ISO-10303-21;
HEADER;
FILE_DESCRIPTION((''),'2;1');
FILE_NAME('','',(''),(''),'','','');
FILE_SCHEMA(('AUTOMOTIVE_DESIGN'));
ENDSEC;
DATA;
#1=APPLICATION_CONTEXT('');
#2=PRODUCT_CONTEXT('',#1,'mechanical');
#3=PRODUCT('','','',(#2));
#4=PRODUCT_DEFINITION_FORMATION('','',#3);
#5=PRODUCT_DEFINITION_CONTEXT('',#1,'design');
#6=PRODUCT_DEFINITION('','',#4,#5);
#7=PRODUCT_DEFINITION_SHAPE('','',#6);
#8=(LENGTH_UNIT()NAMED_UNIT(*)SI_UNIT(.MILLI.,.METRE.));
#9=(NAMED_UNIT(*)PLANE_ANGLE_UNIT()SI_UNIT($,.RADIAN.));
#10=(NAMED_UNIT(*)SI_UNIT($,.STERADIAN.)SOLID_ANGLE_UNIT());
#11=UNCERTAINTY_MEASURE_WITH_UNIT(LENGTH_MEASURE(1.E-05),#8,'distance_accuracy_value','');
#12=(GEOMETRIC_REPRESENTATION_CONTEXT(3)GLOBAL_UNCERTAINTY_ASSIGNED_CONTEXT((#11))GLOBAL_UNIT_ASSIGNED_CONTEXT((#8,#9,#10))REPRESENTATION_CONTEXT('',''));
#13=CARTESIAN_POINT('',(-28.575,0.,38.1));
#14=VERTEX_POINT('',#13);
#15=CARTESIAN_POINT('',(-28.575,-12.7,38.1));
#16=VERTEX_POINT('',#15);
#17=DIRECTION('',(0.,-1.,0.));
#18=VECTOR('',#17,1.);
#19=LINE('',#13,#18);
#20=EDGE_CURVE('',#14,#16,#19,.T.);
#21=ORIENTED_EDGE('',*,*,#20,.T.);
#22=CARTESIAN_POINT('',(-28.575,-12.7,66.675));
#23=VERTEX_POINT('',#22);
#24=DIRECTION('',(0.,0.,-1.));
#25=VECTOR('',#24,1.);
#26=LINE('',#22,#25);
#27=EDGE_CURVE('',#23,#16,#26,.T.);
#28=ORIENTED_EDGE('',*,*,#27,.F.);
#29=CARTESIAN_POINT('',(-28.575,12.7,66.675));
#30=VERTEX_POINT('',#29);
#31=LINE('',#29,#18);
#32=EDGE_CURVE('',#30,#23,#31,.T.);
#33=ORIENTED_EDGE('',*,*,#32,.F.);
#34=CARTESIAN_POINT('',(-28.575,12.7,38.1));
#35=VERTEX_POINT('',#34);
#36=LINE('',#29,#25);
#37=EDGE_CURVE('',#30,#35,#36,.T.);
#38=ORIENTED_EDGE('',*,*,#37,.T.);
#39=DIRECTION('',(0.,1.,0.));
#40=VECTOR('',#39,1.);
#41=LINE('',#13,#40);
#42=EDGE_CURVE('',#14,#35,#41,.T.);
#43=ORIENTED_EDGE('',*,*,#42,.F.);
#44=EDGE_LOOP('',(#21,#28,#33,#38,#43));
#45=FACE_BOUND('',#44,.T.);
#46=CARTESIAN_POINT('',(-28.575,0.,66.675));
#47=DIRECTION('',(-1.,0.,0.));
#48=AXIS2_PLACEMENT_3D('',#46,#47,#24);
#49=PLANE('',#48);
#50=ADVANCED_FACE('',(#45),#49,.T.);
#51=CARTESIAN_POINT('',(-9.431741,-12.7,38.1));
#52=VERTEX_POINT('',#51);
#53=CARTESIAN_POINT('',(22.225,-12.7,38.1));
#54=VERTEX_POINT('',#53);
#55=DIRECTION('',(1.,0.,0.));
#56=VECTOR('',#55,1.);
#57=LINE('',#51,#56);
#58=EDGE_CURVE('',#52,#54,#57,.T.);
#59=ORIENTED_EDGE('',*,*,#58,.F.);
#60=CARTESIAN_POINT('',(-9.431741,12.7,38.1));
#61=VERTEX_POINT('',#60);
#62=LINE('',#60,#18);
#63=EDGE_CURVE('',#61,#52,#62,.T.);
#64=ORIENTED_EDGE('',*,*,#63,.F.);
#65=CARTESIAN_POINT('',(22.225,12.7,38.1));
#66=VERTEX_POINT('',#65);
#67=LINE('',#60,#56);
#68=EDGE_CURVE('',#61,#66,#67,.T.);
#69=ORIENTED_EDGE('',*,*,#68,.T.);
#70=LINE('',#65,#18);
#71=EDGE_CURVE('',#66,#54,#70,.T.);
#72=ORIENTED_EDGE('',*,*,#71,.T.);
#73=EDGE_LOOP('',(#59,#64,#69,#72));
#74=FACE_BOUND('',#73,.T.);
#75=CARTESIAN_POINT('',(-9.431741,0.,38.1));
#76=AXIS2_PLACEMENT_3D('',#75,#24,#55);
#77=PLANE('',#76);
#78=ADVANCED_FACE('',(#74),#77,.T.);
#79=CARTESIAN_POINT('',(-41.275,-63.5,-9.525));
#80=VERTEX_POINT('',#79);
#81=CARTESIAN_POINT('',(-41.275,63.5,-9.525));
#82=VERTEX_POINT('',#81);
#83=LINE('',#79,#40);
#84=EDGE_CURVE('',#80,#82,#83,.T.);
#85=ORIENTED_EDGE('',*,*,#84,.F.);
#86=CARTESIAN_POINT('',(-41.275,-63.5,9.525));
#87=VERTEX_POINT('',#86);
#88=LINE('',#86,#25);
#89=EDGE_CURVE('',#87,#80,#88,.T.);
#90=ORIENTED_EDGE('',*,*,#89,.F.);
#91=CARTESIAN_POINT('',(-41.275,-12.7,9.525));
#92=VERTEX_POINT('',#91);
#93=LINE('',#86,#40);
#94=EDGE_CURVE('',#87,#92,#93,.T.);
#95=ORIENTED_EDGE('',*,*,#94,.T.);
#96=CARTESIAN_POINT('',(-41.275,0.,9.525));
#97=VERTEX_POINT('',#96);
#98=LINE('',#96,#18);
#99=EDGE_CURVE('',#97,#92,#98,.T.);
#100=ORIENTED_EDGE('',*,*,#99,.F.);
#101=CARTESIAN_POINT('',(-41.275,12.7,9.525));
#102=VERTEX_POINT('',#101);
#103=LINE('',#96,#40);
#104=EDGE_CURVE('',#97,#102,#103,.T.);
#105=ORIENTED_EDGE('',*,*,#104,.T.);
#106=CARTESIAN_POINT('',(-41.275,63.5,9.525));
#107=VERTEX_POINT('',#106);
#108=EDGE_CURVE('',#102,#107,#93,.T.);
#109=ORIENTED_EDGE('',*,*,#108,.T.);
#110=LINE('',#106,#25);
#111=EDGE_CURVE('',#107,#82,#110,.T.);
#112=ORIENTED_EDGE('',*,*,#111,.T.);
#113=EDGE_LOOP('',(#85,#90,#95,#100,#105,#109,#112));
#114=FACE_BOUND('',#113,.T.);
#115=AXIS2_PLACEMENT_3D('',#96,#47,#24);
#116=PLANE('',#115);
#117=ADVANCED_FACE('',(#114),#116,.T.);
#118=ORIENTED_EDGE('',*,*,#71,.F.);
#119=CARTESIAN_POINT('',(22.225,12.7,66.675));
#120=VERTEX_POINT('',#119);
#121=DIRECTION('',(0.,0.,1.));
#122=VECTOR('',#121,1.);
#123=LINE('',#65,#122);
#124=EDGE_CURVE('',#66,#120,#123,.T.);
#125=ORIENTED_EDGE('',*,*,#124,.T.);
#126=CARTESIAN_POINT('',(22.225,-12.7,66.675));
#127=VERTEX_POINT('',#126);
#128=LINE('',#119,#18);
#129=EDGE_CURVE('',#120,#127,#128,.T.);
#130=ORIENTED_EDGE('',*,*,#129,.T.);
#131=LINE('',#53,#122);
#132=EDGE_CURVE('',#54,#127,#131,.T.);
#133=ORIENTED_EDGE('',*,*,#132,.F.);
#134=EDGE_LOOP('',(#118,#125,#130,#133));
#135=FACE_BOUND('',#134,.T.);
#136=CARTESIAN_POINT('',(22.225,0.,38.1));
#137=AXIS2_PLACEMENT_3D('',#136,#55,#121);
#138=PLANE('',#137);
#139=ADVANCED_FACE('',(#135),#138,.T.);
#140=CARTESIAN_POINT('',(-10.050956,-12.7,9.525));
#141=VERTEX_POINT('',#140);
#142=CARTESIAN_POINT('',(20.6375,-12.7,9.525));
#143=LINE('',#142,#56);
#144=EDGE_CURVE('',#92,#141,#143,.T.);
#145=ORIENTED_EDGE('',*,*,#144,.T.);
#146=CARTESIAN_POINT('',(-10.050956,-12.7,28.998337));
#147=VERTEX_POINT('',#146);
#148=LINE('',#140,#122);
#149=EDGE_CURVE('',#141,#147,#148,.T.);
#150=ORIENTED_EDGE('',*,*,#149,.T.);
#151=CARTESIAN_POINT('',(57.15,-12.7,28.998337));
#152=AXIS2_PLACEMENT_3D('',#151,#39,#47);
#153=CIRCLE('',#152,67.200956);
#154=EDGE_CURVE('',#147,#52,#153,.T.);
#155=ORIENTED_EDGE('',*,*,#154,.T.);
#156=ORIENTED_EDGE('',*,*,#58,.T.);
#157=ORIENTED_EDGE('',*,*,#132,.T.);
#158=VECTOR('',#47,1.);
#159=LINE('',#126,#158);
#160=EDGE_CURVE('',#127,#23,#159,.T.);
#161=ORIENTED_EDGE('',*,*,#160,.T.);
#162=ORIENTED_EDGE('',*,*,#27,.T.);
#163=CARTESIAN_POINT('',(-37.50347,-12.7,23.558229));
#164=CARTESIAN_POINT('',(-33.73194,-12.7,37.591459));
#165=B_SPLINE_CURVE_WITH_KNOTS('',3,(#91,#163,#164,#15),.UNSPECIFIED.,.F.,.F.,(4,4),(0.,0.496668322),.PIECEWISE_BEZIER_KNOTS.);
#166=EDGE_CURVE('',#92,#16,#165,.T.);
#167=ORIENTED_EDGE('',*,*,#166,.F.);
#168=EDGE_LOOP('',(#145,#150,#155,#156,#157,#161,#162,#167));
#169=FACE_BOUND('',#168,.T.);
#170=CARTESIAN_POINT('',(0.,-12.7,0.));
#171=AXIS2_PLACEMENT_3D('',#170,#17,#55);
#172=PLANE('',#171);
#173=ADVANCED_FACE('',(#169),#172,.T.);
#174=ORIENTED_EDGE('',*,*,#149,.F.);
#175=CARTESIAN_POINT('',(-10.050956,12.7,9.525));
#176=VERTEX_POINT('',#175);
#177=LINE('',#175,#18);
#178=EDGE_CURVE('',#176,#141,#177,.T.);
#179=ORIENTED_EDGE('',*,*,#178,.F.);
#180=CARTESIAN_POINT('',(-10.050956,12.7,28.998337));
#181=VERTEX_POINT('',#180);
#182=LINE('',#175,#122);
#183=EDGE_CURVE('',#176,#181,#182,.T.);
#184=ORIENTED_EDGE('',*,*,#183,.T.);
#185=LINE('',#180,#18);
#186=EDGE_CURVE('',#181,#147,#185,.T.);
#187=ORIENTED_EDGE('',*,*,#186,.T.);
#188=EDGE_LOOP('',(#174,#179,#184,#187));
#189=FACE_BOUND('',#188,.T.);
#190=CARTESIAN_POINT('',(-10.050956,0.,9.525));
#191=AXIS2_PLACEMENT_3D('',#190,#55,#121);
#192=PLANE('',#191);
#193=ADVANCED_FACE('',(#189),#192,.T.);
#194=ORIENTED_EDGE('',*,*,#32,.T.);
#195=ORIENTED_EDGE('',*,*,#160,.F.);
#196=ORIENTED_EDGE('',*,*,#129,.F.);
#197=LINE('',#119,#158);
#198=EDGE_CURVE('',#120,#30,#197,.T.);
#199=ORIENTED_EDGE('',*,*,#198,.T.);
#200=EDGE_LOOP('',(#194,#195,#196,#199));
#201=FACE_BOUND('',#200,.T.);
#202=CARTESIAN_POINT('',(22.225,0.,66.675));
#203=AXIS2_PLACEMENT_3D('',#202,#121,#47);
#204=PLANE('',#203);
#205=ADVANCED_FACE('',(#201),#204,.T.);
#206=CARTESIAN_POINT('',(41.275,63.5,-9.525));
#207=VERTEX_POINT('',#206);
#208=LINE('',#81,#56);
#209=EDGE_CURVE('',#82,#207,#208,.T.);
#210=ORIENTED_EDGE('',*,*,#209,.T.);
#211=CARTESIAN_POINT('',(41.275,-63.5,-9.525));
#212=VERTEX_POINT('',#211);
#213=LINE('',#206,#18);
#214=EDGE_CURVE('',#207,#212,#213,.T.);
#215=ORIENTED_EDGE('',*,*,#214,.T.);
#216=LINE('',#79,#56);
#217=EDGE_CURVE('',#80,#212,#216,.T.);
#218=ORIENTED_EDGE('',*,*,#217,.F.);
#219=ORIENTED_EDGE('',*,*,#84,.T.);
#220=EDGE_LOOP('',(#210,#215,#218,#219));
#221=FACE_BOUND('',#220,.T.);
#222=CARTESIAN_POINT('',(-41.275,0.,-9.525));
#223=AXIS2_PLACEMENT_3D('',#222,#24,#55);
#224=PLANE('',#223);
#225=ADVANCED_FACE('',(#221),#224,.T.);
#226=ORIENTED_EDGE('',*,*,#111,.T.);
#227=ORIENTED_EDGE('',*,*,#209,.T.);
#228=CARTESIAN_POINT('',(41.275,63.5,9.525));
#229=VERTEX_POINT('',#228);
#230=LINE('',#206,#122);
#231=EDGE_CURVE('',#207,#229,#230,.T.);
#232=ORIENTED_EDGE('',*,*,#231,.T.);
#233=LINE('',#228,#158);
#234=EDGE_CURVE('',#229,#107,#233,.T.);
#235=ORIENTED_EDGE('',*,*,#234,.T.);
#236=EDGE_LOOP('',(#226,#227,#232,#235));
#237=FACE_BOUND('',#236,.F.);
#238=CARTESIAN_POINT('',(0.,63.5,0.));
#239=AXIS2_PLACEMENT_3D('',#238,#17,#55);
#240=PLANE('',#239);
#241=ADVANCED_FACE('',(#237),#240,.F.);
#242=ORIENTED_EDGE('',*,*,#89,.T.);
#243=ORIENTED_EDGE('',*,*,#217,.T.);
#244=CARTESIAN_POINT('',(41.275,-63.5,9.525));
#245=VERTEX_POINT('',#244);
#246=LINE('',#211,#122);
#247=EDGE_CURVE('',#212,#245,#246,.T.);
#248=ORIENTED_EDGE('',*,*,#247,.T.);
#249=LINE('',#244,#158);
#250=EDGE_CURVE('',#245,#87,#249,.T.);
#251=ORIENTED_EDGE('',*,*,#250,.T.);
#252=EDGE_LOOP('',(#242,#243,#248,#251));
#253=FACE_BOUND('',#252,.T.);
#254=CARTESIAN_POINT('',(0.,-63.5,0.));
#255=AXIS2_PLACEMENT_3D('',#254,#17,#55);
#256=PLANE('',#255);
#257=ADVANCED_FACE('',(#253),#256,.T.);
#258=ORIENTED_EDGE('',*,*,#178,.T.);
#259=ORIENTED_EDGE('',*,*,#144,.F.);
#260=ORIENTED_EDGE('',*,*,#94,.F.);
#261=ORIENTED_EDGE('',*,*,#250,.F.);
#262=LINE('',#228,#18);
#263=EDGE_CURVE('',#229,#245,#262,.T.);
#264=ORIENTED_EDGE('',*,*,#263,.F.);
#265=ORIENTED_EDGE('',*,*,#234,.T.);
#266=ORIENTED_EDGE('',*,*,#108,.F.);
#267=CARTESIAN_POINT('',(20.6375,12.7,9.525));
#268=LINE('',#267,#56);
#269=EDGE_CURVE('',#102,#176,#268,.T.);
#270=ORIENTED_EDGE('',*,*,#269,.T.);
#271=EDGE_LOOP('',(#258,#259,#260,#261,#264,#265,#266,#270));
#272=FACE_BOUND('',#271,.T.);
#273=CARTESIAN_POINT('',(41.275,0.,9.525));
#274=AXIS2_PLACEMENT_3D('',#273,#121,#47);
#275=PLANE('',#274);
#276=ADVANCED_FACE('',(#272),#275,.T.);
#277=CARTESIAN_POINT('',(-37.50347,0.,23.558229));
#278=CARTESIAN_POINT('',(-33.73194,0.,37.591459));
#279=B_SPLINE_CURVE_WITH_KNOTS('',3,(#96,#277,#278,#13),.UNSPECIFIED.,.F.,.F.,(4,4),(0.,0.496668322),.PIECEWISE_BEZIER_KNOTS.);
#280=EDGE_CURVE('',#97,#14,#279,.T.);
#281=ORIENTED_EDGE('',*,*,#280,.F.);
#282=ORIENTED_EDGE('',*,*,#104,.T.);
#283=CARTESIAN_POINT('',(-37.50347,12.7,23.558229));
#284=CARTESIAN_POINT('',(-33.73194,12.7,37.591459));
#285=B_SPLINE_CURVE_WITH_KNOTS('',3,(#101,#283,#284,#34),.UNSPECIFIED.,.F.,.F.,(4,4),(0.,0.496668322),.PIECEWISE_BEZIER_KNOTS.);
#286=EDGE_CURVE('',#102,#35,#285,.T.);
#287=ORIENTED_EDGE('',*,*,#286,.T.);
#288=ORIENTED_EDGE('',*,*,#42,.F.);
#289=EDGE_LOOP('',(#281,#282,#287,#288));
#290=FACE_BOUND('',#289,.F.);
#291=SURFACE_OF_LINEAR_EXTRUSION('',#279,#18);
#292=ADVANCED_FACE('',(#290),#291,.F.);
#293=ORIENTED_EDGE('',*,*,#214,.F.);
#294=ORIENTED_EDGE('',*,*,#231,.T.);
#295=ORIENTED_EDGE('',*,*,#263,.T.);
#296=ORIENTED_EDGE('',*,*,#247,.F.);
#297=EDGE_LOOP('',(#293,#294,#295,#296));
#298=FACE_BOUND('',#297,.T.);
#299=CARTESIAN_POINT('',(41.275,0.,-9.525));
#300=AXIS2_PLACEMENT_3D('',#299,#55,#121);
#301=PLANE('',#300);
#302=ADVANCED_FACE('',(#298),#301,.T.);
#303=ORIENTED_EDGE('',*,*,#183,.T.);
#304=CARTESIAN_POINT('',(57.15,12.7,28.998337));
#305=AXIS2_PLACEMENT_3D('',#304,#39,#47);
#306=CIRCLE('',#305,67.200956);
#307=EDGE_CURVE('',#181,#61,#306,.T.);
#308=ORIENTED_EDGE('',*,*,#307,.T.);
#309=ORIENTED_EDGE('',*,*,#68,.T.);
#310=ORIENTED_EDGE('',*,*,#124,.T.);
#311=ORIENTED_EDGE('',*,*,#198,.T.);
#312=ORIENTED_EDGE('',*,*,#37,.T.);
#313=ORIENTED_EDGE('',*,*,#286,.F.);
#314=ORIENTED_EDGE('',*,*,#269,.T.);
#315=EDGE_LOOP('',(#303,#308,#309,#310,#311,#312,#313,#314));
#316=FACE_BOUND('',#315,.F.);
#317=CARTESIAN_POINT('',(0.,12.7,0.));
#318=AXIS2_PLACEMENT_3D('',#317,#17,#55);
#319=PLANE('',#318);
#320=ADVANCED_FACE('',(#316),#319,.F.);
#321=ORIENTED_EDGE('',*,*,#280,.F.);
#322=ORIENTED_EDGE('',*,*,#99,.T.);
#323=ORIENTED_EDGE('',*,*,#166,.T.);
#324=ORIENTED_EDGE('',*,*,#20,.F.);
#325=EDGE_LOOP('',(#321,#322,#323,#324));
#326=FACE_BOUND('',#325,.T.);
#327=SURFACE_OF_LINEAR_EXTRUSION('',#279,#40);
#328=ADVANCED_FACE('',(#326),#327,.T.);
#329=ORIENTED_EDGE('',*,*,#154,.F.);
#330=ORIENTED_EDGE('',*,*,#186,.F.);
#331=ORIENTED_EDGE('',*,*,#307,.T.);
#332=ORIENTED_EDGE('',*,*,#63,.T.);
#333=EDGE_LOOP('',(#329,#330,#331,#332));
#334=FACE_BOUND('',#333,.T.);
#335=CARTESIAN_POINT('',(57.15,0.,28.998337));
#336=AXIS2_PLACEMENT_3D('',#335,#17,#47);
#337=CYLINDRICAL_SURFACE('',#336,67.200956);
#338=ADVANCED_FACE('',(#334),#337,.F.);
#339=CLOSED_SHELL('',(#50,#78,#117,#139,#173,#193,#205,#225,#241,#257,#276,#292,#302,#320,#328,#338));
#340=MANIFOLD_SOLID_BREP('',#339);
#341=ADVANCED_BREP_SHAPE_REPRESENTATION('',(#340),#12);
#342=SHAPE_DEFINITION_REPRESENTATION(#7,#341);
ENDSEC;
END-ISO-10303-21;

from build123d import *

# Parameters (mm, degrees)
F1_DEPTH = 63.5
F2_DEPTH = 12.7


with BuildPart() as f1:
    # F0 (on Front) → F1 (new body, symmetric)
    with BuildSketch(Plane.XZ):
        Polygon((-41.275, -9.525), (41.275, -9.525), (41.275, 9.525), (-10.0509560453, 9.525), (-41.275, 9.525), align=None)
    extrude(amount=F1_DEPTH, both=True)

    # F0 (on Front) → F2 (join, symmetric)
    with BuildSketch(Plane.XZ):
        Polygon((-41.275, -9.525), (41.275, -9.525), (41.275, 9.525), (-10.0509560453, 9.525), (-41.275, 9.525), align=None)
        with BuildLine():
            add(Edge.make_bspline(
                [(-41.275, 9.525), (-37.5034699803, 23.558229472), (-33.7319399605, 37.591458944), (-28.575, 38.1)],
                knots=[0, 0, 0, 0, 0.4966683216, 0.4966683216, 0.4966683216, 0.4966683216], degree=3))
            Line((-41.275, 9.525), (-10.0509560453, 9.525))
            Line((-10.0509560453, 9.525), (-10.0509560453, 11.8660507724))
            add(Edge.make_bspline(
                [(-27.9799536469, 38.1), (-22.8492211901, 37.6102914345), (-16.4500886177, 24.7381711034), (-10.0509560453, 11.8660507724)],
                knots=[0.5155803853, 0.5155803853, 0.5155803853, 0.5155803853, 1, 1, 1, 1], degree=3))
            Line((-27.9799536469, 38.1), (-28.575, 38.1))
        make_face()
        with BuildLine():
            add(Edge.make_bspline(
                [(-28.575, 38.1), (-28.3786347947, 38.1193641519), (-28.1802608517, 38.1191185478), (-27.9799536469, 38.1)],
                knots=[0.4966683216, 0.4966683216, 0.4966683216, 0.4966683216, 0.5155803853, 0.5155803853, 0.5155803853, 0.5155803853], degree=3))
            Line((-28.575, 38.1), (-27.9799536469, 38.1))
        make_face()
        with BuildLine():
            Line((-28.575, 66.675), (-28.575, 38.1))
            add(Edge.make_bspline(
                [(-28.575, 38.1), (-28.3786347947, 38.1193641519), (-28.1802608517, 38.1191185478), (-27.9799536469, 38.1)],
                knots=[0.4966683216, 0.4966683216, 0.4966683216, 0.4966683216, 0.5155803853, 0.5155803853, 0.5155803853, 0.5155803853], degree=3))
            Line((-27.9799536469, 38.1), (-9.4317409695, 38.1))
            ThreePointArc((-9.4317409695, 38.1), (-5.611580641, 53.0181726772), (1.504356995, 66.675))
            Line((1.504356995, 66.675), (-28.575, 66.675))
        make_face()
        with BuildLine():
            add(Edge.make_bspline(
                [(-27.9799536469, 38.1), (-22.8492211901, 37.6102914345), (-16.4500886177, 24.7381711034), (-10.0509560453, 11.8660507724)],
                knots=[0.5155803853, 0.5155803853, 0.5155803853, 0.5155803853, 1, 1, 1, 1], degree=3))
            Line((-10.0509560453, 11.8660507724), (-10.0509560453, 28.9983373564))
            ThreePointArc((-10.0509560453, 28.9983373564), (-9.8959735619, 33.5596883127), (-9.4317409695, 38.1))
            Line((-9.4317409695, 38.1), (-27.9799536469, 38.1))
        make_face()
        with BuildLine():
            ThreePointArc((1.504356995, 66.675), (-5.611580641, 53.0181726772), (-9.4317409695, 38.1))
            Line((-9.4317409695, 38.1), (22.225, 38.1))
            Line((22.225, 38.1), (22.225, 66.675))
            Line((22.225, 66.675), (1.504356995, 66.675))
        make_face()
    extrude(amount=F2_DEPTH, both=True)


solid = f1.part
